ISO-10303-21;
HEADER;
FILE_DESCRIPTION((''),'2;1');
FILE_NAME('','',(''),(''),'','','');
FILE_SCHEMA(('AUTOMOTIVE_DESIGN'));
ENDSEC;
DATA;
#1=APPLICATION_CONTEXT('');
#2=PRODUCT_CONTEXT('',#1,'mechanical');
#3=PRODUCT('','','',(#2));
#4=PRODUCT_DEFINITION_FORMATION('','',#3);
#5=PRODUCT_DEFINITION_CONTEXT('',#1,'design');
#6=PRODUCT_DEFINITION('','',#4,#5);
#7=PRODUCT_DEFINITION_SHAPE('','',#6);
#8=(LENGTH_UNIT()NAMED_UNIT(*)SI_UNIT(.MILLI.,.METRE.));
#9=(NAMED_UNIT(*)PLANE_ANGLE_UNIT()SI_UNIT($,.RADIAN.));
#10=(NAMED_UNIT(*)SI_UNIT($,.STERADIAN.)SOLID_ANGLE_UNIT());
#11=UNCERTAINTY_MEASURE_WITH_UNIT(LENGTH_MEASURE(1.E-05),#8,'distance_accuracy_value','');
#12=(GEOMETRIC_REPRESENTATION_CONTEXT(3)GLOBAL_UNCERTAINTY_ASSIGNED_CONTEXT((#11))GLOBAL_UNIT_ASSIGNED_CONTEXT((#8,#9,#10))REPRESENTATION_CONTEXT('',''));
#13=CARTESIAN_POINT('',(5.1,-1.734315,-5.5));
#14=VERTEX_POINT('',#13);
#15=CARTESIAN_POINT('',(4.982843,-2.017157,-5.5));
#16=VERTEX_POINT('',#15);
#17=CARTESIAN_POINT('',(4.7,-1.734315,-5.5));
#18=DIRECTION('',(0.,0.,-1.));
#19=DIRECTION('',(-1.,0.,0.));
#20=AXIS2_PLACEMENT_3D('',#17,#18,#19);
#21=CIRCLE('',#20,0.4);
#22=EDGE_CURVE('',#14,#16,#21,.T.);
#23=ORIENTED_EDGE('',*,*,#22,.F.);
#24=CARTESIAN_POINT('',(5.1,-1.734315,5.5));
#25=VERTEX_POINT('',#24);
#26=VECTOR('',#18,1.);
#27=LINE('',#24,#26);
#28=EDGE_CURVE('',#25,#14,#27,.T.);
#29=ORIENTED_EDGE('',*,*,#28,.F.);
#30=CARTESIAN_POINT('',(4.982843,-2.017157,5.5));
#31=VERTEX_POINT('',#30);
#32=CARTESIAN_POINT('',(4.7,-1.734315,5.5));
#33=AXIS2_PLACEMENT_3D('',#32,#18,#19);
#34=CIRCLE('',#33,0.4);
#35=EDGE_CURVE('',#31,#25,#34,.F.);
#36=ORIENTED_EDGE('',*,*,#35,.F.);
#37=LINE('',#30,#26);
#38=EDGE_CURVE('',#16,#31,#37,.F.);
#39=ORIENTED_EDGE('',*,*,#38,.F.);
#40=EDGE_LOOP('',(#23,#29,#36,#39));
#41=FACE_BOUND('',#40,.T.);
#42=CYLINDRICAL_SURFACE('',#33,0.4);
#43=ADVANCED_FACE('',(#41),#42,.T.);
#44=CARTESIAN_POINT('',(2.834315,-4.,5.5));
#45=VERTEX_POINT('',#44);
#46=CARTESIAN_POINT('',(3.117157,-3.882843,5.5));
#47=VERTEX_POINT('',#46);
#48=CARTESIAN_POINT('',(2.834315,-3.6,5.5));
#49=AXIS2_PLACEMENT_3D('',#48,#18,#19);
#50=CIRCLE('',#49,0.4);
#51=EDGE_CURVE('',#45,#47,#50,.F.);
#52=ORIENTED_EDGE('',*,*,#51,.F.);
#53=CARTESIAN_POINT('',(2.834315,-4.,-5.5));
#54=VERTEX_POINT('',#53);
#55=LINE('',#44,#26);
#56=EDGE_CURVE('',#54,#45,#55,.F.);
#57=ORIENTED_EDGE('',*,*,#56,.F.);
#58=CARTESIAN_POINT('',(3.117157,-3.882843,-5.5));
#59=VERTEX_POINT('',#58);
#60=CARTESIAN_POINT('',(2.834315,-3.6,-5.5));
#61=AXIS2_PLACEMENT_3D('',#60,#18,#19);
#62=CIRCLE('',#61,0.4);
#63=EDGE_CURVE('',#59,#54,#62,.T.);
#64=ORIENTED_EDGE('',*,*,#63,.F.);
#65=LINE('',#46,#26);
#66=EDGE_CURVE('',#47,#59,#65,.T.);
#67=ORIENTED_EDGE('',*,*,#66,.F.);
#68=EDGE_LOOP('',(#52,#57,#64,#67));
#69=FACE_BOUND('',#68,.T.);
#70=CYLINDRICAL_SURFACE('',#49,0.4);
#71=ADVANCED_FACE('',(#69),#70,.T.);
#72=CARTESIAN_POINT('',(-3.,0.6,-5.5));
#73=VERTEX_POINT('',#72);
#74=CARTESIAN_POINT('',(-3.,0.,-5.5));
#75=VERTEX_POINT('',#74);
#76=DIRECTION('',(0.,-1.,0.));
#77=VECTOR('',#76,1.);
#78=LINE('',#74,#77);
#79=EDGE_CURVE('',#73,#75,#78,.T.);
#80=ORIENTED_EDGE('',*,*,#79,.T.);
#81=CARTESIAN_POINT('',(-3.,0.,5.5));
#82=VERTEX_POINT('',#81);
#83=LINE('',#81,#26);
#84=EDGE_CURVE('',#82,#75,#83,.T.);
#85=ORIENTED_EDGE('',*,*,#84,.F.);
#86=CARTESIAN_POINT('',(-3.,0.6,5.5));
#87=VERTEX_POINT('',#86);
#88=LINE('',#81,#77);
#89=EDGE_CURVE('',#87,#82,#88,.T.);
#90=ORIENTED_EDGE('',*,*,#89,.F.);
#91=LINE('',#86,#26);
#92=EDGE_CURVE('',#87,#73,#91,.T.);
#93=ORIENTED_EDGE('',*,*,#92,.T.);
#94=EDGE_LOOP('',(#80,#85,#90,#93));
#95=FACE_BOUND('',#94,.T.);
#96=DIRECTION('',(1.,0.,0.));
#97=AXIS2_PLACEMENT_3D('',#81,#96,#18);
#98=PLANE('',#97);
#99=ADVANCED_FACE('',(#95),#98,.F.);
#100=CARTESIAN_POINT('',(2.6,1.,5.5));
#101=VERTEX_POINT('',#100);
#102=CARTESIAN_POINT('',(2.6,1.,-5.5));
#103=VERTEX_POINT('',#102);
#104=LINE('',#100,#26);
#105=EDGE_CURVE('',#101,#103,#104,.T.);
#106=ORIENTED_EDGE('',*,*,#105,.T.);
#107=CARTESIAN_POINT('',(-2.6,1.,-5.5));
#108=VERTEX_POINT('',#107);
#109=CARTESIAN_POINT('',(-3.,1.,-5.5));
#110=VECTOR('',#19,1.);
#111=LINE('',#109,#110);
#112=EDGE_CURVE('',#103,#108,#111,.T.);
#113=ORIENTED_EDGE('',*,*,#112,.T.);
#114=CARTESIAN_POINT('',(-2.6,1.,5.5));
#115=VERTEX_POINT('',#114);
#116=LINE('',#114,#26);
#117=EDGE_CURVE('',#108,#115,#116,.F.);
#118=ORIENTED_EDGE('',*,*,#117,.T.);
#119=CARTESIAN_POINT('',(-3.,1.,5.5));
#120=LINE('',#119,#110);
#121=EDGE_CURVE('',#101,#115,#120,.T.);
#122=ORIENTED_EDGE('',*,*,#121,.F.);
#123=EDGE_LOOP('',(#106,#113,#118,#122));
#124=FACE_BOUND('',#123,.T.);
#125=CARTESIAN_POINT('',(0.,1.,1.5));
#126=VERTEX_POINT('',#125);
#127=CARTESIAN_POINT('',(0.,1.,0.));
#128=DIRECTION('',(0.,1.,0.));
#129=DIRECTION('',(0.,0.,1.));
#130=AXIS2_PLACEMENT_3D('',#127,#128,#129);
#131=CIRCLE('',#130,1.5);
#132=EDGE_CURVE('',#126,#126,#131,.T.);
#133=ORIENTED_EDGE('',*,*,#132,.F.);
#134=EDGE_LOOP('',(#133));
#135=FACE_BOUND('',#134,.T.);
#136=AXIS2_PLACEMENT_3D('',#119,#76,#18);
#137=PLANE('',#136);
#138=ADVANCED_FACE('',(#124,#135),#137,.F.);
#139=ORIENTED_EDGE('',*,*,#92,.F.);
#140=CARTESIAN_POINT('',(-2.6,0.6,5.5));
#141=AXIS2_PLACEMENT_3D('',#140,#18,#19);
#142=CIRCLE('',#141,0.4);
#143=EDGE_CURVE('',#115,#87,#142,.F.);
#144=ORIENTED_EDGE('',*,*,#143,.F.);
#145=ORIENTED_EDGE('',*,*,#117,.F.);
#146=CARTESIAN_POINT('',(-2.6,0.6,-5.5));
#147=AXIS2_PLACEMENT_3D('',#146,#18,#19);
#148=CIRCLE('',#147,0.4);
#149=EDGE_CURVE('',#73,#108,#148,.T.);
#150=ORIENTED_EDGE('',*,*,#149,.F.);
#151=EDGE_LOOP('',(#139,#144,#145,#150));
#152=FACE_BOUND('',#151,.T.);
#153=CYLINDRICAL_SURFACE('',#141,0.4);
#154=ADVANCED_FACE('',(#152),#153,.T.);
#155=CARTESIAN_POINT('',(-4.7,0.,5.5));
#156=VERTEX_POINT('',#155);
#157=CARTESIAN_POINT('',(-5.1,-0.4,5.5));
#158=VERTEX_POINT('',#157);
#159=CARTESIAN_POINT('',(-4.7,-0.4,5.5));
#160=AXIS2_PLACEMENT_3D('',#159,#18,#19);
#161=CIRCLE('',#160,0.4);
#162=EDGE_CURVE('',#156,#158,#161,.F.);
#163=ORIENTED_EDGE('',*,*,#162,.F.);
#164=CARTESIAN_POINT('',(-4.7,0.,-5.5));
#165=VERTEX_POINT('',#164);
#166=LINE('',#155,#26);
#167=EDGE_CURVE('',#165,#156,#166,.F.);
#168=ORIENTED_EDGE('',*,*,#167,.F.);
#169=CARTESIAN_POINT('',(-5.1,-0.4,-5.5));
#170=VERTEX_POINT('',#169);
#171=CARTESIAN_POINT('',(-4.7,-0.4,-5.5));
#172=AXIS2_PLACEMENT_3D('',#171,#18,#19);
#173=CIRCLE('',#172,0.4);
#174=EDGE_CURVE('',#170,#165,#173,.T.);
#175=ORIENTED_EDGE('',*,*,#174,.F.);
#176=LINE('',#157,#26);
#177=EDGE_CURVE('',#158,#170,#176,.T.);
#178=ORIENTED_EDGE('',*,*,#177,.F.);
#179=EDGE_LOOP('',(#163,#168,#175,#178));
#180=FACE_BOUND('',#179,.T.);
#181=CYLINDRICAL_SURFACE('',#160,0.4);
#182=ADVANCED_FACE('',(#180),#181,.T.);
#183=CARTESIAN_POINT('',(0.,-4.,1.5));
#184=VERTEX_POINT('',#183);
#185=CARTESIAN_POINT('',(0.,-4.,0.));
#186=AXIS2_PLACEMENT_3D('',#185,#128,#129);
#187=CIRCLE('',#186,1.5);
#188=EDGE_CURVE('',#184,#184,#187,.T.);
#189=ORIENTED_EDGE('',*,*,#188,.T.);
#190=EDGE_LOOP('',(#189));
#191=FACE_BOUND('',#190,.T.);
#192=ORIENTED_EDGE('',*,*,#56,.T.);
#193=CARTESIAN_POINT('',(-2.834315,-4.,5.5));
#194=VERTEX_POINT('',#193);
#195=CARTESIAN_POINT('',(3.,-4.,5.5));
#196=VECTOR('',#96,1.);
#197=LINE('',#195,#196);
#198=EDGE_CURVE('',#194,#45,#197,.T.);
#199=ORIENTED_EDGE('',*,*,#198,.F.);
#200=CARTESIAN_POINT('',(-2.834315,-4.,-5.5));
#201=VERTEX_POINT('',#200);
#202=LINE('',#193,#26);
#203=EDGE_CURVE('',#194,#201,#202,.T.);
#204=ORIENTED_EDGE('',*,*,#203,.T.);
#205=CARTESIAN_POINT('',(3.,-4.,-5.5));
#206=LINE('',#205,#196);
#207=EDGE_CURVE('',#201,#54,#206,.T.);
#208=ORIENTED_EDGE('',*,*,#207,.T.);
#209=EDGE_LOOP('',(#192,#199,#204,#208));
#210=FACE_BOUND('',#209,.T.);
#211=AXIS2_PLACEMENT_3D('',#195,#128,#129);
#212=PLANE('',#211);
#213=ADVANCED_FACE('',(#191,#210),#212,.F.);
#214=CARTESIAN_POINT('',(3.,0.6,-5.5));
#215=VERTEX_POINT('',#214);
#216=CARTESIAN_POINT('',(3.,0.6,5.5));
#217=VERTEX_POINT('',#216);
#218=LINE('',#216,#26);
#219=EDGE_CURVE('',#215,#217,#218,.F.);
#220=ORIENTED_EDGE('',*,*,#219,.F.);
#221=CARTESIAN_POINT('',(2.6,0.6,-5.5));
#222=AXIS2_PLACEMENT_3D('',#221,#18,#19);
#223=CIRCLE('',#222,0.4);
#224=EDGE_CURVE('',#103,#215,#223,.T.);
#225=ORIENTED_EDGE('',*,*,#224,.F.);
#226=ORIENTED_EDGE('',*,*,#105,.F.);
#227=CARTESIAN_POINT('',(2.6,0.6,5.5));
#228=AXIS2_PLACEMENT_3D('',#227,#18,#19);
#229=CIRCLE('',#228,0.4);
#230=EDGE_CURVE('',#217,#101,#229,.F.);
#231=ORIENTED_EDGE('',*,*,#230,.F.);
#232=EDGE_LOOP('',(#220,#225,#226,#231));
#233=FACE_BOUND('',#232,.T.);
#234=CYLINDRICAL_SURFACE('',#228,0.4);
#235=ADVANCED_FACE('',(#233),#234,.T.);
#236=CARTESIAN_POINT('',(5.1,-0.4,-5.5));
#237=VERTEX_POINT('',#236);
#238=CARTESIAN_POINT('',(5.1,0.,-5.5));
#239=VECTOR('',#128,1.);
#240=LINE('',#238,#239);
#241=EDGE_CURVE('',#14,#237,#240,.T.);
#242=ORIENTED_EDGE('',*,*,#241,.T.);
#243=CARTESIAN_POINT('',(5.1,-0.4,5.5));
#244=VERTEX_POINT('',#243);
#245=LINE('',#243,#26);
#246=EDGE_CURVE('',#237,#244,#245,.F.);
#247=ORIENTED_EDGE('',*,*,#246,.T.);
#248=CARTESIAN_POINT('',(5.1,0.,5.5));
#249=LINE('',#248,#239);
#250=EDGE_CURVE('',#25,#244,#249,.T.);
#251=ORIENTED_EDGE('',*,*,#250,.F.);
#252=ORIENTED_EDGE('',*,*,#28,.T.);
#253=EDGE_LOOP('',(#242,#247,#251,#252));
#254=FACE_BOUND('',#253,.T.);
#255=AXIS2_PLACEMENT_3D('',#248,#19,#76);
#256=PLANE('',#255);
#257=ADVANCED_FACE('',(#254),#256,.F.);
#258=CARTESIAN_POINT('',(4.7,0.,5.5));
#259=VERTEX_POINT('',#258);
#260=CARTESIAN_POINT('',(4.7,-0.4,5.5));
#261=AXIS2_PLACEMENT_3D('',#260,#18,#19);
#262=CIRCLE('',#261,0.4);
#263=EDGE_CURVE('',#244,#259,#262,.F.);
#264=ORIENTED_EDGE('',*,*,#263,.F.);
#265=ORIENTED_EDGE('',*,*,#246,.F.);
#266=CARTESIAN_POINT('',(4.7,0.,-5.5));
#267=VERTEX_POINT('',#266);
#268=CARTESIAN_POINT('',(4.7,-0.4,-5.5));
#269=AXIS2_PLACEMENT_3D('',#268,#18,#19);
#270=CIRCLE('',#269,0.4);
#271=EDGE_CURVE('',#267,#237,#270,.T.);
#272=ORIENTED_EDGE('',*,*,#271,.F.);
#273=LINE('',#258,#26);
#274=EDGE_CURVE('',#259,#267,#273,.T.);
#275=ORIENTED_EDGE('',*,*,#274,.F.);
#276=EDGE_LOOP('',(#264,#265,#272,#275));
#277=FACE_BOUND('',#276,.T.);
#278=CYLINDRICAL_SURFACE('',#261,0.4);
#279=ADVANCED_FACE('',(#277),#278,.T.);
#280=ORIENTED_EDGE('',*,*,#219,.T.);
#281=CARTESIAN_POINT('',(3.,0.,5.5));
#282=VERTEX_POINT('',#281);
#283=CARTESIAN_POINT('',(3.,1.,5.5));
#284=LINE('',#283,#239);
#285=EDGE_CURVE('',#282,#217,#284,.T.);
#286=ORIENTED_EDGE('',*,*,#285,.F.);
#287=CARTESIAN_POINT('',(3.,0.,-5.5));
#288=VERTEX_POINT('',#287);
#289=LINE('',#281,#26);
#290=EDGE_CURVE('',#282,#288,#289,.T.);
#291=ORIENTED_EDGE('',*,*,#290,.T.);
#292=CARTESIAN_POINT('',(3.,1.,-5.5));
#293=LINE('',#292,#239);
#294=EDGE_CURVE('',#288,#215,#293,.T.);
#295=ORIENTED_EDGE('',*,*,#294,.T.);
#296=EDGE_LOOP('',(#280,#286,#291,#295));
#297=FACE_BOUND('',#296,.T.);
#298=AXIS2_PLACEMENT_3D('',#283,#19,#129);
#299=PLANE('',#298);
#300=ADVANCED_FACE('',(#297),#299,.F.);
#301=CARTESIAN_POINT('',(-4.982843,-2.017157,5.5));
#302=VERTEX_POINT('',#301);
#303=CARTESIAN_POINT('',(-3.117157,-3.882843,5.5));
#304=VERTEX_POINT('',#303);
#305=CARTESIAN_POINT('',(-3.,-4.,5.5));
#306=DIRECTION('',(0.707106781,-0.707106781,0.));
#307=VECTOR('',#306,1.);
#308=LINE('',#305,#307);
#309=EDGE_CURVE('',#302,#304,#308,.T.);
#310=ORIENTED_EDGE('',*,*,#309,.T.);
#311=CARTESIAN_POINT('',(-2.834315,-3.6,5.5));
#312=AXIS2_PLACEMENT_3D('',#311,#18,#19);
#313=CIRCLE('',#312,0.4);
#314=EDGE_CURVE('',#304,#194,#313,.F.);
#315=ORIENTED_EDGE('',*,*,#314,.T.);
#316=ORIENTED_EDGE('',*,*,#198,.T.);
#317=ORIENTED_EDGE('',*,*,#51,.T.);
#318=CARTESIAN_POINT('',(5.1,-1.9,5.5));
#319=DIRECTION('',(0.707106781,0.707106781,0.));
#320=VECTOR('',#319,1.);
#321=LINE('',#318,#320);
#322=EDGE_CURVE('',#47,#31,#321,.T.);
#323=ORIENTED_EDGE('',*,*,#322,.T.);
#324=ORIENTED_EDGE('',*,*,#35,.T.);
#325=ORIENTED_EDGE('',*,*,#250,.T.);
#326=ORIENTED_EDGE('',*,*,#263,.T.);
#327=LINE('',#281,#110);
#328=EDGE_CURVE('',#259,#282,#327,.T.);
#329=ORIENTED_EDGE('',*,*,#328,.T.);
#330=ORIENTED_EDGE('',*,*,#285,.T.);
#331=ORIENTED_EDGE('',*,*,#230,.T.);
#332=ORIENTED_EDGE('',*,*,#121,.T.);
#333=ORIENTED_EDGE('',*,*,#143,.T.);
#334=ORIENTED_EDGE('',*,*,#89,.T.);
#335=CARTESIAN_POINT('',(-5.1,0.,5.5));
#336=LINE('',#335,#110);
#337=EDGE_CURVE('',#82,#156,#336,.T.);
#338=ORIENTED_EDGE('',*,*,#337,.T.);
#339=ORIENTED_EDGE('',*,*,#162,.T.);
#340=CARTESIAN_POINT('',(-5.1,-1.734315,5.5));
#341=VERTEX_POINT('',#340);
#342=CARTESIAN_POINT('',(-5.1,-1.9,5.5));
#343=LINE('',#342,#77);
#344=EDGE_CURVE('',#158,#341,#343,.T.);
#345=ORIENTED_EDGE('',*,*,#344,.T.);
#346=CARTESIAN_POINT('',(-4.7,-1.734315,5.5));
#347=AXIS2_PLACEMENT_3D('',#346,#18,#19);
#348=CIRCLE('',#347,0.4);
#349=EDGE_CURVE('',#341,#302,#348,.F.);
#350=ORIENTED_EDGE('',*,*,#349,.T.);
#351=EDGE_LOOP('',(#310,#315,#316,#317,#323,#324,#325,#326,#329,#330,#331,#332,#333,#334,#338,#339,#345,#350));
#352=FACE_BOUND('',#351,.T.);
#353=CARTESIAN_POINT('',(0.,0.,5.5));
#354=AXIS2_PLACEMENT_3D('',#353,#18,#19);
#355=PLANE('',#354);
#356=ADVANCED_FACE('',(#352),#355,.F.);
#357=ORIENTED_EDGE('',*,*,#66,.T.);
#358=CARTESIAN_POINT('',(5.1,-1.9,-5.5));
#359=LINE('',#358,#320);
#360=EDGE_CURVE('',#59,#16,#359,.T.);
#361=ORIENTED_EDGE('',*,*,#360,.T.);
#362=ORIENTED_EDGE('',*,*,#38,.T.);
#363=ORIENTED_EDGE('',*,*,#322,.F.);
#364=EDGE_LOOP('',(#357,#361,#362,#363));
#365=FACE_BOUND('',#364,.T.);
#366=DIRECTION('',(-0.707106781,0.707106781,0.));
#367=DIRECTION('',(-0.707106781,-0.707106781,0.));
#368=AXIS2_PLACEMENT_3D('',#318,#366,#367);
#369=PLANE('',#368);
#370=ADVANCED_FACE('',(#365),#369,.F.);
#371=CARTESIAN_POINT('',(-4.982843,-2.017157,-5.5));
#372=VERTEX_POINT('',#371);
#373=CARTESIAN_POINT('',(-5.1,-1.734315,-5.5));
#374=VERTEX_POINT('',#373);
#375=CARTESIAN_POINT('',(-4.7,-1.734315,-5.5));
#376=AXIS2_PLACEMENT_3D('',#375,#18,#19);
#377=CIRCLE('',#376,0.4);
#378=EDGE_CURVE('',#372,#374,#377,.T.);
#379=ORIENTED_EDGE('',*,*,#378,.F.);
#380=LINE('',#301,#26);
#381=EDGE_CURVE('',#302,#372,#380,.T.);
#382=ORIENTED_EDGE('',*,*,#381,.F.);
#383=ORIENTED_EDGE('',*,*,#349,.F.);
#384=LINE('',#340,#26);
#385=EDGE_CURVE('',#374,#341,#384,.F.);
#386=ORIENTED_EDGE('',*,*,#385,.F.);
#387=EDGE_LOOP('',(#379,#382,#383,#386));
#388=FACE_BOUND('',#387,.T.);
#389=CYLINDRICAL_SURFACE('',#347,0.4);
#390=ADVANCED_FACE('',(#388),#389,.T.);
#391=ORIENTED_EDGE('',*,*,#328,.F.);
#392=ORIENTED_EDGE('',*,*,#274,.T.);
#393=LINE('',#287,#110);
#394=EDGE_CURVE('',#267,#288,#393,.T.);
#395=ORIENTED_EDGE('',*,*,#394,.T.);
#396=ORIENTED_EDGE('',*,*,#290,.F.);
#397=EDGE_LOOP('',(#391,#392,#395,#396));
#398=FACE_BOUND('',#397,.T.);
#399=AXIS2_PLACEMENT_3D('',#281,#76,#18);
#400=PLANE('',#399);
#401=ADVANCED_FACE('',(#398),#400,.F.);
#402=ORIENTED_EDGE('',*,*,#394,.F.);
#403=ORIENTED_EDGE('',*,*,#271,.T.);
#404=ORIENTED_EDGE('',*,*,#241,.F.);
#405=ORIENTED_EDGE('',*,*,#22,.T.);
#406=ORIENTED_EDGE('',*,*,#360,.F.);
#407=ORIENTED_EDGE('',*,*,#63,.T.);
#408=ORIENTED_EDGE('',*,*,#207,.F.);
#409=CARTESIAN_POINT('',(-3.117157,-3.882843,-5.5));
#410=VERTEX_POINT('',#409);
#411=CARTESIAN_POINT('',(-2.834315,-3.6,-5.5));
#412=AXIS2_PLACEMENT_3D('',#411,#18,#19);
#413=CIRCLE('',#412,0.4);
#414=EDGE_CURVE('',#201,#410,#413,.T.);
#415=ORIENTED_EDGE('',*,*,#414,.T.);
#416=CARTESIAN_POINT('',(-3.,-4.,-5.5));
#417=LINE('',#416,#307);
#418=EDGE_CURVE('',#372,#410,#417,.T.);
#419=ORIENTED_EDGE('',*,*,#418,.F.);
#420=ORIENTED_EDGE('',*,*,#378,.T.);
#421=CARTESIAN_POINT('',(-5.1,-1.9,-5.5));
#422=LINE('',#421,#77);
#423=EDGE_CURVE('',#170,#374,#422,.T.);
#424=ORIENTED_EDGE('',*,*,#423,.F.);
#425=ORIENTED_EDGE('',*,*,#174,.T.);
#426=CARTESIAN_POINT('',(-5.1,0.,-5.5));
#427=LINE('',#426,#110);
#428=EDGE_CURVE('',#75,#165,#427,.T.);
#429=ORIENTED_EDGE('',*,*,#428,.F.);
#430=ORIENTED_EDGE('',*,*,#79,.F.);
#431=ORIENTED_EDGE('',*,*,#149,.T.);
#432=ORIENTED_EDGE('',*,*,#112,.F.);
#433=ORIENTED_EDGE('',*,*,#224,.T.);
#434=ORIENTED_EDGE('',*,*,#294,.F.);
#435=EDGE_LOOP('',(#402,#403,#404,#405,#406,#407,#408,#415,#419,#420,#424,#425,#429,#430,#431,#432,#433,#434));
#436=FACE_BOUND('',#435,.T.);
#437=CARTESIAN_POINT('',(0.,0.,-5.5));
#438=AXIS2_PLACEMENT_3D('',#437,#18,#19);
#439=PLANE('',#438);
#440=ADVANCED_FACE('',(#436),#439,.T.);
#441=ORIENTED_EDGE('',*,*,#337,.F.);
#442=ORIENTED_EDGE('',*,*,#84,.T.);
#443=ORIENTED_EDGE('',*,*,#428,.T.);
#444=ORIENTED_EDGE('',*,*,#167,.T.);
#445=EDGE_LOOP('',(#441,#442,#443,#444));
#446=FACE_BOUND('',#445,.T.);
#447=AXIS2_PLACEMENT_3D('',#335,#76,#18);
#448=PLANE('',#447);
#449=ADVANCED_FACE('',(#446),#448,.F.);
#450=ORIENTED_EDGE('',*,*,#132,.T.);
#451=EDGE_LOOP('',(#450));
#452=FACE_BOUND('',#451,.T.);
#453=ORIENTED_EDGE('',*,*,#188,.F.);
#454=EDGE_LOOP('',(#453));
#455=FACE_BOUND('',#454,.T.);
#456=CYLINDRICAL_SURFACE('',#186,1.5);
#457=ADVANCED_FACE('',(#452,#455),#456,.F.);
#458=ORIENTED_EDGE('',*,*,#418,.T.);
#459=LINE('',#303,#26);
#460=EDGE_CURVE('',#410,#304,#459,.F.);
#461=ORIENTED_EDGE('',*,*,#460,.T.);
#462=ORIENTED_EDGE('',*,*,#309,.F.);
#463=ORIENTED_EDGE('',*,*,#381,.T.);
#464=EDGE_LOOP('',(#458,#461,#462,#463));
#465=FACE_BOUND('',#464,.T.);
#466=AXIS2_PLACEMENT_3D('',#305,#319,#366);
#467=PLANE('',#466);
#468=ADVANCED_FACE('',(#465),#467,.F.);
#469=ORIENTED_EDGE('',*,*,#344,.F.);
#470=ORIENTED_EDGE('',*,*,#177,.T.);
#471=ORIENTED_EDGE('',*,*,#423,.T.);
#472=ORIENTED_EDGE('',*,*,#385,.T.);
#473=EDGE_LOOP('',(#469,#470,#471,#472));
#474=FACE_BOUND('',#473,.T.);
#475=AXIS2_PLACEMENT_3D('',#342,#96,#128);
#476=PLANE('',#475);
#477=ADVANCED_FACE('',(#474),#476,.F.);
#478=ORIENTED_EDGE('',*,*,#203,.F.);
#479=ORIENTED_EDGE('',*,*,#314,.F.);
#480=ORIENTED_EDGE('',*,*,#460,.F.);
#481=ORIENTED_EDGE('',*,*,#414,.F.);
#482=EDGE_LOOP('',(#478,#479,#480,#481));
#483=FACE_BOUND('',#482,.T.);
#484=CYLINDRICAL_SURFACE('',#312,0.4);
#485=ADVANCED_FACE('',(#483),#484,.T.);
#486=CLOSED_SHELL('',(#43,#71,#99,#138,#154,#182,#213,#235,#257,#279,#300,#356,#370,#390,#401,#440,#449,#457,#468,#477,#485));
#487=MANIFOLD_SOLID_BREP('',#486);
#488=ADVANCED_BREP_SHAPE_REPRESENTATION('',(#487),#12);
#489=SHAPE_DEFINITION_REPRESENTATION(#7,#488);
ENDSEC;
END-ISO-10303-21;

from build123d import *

# Parameters (mm, degrees)
EXTRUDE_1_DEPTH     = 5.5
SKETCH_2_R          = 1.5
CUT_EXTRUDE_1_DEPTH = 10.014432872
FILLET_1_R          = 0.4


with BuildPart() as part:
    # 草图1 → 凸台-拉伸1 (new, symmetric)
    with BuildSketch(Plane.XY):
        Polygon((-5.1, 0), (-3, 0), (-3, 1), (3, 1), (3, 0), (5.1, 0), (5.1, -1.9), (3, -4), (-3, -4), (-5.1, -1.9), align=None)
    extrude(amount=EXTRUDE_1_DEPTH, both=True)

    # 草图2 → 切除-拉伸1 (cut, through all)
    with BuildSketch(Plane(origin=(0, 1, 0), x_dir=(1, 0, 0), z_dir=(0, 1, 0))):
        with Locations(Location((0, 0, 0), (0, 0, 270))):
            Circle(SKETCH_2_R)
    extrude(amount=-CUT_EXTRUDE_1_DEPTH, mode=Mode.SUBTRACT)

    # 圆角1
    fillet_1_edges = [part.edges().sort_by_distance(p)[0] for p in [
        (-5.1, 0, 0),
        (-3, 1, 0),
        (3, 1, 0),
        (5.1, 0, 0),
        (5.1, -1.9, 0),
        (3, -4, 0),
        (-3, -4, 0),
        (-5.1, -1.9, 0),
    ]]
    fillet(fillet_1_edges, radius=FILLET_1_R)


solid = part.part
